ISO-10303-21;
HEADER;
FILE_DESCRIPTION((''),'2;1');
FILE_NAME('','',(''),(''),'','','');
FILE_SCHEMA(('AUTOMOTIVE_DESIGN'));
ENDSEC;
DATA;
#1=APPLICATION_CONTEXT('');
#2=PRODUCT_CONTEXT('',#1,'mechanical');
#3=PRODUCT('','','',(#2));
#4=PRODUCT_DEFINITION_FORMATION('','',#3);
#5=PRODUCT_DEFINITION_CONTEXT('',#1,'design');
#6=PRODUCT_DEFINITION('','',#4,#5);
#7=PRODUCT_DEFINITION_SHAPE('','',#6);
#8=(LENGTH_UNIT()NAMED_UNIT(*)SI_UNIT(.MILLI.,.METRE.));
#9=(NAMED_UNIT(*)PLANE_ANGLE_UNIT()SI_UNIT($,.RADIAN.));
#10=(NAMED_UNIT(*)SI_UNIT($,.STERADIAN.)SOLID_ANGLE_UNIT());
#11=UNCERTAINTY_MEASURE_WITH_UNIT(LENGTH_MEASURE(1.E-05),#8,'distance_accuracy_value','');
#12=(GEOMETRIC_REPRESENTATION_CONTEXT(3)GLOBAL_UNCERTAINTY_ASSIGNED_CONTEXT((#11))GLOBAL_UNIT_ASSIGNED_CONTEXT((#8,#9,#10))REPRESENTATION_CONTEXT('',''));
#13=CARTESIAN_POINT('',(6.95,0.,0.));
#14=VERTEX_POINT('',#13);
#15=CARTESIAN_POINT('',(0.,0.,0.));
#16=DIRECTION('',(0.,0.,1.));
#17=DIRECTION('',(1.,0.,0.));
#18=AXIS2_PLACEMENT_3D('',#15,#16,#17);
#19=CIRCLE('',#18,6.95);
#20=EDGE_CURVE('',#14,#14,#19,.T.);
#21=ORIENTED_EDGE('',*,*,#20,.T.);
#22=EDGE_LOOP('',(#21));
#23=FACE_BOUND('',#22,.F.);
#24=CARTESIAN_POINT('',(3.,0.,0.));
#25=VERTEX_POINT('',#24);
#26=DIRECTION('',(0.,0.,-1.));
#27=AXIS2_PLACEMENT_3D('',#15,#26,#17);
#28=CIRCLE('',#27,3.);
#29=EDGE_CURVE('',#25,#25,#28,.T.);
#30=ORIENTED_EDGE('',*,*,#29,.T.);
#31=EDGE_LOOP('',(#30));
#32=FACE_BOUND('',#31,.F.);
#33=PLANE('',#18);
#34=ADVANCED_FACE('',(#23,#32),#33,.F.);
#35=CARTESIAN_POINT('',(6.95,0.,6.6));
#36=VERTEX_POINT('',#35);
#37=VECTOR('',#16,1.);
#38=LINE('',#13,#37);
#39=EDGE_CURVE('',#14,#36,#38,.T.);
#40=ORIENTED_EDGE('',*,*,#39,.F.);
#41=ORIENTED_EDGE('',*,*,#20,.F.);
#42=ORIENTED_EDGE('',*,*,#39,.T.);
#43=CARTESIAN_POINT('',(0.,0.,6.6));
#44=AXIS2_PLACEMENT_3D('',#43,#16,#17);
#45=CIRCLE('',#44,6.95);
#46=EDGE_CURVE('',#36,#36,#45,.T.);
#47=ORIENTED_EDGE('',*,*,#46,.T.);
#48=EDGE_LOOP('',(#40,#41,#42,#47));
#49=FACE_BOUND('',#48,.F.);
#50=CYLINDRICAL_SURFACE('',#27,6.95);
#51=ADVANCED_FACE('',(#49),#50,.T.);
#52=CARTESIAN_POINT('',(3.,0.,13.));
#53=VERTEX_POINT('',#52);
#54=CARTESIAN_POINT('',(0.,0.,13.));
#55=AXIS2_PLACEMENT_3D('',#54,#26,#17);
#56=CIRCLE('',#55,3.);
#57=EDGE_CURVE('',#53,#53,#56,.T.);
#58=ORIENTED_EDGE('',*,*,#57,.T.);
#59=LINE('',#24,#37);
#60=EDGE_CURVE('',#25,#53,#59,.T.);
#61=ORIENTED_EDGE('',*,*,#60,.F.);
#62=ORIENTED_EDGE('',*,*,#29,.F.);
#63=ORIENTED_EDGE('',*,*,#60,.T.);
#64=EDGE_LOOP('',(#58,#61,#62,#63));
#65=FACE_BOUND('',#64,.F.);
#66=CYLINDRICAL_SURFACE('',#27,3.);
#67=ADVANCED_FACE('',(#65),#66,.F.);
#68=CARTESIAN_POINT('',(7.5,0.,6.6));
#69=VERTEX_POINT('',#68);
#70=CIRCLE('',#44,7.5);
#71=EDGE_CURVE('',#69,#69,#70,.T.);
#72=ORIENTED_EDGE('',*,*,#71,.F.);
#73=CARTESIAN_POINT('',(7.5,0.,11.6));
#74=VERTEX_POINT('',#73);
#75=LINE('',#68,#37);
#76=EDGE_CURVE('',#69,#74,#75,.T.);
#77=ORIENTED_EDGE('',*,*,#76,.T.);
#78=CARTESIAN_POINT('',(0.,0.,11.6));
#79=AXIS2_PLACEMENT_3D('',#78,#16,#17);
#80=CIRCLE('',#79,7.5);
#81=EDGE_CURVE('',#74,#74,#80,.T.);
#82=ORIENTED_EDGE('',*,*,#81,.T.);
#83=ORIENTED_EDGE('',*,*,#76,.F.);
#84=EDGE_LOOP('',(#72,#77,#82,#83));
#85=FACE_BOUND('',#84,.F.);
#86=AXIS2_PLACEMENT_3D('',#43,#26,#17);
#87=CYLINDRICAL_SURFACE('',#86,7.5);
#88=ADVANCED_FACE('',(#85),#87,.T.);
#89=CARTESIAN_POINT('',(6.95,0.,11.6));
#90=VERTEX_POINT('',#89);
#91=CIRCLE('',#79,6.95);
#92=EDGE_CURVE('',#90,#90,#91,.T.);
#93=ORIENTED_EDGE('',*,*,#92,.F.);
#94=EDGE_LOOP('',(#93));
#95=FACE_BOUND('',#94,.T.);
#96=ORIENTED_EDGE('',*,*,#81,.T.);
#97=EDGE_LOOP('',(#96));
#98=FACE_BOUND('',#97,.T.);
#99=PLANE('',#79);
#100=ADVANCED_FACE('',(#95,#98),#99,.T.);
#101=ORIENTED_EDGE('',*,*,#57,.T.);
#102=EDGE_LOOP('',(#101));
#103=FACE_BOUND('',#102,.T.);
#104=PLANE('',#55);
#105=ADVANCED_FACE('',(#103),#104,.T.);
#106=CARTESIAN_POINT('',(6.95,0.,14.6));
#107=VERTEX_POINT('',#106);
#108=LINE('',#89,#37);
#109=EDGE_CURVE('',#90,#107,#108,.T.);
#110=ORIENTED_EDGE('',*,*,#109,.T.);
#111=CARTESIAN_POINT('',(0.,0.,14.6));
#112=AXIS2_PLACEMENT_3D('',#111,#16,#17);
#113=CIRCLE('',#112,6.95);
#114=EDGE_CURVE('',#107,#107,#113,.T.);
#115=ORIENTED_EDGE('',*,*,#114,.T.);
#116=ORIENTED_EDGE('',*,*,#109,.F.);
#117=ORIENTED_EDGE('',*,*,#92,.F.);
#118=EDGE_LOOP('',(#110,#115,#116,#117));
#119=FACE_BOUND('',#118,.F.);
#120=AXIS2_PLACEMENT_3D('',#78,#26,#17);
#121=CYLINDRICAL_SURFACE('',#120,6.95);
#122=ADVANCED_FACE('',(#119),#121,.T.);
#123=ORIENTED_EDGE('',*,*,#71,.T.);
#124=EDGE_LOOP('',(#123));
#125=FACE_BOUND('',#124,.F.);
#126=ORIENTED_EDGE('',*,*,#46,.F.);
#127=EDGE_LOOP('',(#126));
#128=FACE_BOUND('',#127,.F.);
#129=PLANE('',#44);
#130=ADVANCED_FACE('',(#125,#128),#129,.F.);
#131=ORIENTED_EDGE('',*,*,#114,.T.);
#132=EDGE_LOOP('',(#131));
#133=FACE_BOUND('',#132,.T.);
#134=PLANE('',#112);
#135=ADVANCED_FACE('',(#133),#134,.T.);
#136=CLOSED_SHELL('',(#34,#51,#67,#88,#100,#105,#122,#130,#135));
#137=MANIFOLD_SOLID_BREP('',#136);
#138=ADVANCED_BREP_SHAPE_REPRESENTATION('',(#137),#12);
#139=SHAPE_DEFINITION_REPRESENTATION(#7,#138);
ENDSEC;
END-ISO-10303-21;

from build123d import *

# Parameters (mm, degrees)
F0_R     = 6.95
F1_DEPTH = 6.6
F2_R     = 7.5
F3_DEPTH = 5
F4_R     = 6.95
F5_DEPTH = 3
F6_R     = 3
F7_DEPTH = 13


with BuildPart() as f1:
    # F0 (on Top) → F1 (new body)
    with BuildSketch(Plane.XY):
        Circle(F0_R)
    extrude(amount=F1_DEPTH)

    # F2 (on face) → F3 (join)
    with BuildSketch(Plane.XY.offset(6.6)):
        Circle(F2_R)
    extrude(amount=F3_DEPTH)

    # F4 (on face) → F5 (join)
    with BuildSketch(Plane.XY.offset(11.6)):
        Circle(F4_R)
    extrude(amount=F5_DEPTH)

    # F6 (on face) → F7 (cut)
    with BuildSketch(Plane(origin=(0, 0, 0), x_dir=(1, 0, 0), z_dir=(0, 0, -1))):
        Circle(F6_R)
    extrude(amount=-F7_DEPTH, mode=Mode.SUBTRACT)


solid = f1.part
